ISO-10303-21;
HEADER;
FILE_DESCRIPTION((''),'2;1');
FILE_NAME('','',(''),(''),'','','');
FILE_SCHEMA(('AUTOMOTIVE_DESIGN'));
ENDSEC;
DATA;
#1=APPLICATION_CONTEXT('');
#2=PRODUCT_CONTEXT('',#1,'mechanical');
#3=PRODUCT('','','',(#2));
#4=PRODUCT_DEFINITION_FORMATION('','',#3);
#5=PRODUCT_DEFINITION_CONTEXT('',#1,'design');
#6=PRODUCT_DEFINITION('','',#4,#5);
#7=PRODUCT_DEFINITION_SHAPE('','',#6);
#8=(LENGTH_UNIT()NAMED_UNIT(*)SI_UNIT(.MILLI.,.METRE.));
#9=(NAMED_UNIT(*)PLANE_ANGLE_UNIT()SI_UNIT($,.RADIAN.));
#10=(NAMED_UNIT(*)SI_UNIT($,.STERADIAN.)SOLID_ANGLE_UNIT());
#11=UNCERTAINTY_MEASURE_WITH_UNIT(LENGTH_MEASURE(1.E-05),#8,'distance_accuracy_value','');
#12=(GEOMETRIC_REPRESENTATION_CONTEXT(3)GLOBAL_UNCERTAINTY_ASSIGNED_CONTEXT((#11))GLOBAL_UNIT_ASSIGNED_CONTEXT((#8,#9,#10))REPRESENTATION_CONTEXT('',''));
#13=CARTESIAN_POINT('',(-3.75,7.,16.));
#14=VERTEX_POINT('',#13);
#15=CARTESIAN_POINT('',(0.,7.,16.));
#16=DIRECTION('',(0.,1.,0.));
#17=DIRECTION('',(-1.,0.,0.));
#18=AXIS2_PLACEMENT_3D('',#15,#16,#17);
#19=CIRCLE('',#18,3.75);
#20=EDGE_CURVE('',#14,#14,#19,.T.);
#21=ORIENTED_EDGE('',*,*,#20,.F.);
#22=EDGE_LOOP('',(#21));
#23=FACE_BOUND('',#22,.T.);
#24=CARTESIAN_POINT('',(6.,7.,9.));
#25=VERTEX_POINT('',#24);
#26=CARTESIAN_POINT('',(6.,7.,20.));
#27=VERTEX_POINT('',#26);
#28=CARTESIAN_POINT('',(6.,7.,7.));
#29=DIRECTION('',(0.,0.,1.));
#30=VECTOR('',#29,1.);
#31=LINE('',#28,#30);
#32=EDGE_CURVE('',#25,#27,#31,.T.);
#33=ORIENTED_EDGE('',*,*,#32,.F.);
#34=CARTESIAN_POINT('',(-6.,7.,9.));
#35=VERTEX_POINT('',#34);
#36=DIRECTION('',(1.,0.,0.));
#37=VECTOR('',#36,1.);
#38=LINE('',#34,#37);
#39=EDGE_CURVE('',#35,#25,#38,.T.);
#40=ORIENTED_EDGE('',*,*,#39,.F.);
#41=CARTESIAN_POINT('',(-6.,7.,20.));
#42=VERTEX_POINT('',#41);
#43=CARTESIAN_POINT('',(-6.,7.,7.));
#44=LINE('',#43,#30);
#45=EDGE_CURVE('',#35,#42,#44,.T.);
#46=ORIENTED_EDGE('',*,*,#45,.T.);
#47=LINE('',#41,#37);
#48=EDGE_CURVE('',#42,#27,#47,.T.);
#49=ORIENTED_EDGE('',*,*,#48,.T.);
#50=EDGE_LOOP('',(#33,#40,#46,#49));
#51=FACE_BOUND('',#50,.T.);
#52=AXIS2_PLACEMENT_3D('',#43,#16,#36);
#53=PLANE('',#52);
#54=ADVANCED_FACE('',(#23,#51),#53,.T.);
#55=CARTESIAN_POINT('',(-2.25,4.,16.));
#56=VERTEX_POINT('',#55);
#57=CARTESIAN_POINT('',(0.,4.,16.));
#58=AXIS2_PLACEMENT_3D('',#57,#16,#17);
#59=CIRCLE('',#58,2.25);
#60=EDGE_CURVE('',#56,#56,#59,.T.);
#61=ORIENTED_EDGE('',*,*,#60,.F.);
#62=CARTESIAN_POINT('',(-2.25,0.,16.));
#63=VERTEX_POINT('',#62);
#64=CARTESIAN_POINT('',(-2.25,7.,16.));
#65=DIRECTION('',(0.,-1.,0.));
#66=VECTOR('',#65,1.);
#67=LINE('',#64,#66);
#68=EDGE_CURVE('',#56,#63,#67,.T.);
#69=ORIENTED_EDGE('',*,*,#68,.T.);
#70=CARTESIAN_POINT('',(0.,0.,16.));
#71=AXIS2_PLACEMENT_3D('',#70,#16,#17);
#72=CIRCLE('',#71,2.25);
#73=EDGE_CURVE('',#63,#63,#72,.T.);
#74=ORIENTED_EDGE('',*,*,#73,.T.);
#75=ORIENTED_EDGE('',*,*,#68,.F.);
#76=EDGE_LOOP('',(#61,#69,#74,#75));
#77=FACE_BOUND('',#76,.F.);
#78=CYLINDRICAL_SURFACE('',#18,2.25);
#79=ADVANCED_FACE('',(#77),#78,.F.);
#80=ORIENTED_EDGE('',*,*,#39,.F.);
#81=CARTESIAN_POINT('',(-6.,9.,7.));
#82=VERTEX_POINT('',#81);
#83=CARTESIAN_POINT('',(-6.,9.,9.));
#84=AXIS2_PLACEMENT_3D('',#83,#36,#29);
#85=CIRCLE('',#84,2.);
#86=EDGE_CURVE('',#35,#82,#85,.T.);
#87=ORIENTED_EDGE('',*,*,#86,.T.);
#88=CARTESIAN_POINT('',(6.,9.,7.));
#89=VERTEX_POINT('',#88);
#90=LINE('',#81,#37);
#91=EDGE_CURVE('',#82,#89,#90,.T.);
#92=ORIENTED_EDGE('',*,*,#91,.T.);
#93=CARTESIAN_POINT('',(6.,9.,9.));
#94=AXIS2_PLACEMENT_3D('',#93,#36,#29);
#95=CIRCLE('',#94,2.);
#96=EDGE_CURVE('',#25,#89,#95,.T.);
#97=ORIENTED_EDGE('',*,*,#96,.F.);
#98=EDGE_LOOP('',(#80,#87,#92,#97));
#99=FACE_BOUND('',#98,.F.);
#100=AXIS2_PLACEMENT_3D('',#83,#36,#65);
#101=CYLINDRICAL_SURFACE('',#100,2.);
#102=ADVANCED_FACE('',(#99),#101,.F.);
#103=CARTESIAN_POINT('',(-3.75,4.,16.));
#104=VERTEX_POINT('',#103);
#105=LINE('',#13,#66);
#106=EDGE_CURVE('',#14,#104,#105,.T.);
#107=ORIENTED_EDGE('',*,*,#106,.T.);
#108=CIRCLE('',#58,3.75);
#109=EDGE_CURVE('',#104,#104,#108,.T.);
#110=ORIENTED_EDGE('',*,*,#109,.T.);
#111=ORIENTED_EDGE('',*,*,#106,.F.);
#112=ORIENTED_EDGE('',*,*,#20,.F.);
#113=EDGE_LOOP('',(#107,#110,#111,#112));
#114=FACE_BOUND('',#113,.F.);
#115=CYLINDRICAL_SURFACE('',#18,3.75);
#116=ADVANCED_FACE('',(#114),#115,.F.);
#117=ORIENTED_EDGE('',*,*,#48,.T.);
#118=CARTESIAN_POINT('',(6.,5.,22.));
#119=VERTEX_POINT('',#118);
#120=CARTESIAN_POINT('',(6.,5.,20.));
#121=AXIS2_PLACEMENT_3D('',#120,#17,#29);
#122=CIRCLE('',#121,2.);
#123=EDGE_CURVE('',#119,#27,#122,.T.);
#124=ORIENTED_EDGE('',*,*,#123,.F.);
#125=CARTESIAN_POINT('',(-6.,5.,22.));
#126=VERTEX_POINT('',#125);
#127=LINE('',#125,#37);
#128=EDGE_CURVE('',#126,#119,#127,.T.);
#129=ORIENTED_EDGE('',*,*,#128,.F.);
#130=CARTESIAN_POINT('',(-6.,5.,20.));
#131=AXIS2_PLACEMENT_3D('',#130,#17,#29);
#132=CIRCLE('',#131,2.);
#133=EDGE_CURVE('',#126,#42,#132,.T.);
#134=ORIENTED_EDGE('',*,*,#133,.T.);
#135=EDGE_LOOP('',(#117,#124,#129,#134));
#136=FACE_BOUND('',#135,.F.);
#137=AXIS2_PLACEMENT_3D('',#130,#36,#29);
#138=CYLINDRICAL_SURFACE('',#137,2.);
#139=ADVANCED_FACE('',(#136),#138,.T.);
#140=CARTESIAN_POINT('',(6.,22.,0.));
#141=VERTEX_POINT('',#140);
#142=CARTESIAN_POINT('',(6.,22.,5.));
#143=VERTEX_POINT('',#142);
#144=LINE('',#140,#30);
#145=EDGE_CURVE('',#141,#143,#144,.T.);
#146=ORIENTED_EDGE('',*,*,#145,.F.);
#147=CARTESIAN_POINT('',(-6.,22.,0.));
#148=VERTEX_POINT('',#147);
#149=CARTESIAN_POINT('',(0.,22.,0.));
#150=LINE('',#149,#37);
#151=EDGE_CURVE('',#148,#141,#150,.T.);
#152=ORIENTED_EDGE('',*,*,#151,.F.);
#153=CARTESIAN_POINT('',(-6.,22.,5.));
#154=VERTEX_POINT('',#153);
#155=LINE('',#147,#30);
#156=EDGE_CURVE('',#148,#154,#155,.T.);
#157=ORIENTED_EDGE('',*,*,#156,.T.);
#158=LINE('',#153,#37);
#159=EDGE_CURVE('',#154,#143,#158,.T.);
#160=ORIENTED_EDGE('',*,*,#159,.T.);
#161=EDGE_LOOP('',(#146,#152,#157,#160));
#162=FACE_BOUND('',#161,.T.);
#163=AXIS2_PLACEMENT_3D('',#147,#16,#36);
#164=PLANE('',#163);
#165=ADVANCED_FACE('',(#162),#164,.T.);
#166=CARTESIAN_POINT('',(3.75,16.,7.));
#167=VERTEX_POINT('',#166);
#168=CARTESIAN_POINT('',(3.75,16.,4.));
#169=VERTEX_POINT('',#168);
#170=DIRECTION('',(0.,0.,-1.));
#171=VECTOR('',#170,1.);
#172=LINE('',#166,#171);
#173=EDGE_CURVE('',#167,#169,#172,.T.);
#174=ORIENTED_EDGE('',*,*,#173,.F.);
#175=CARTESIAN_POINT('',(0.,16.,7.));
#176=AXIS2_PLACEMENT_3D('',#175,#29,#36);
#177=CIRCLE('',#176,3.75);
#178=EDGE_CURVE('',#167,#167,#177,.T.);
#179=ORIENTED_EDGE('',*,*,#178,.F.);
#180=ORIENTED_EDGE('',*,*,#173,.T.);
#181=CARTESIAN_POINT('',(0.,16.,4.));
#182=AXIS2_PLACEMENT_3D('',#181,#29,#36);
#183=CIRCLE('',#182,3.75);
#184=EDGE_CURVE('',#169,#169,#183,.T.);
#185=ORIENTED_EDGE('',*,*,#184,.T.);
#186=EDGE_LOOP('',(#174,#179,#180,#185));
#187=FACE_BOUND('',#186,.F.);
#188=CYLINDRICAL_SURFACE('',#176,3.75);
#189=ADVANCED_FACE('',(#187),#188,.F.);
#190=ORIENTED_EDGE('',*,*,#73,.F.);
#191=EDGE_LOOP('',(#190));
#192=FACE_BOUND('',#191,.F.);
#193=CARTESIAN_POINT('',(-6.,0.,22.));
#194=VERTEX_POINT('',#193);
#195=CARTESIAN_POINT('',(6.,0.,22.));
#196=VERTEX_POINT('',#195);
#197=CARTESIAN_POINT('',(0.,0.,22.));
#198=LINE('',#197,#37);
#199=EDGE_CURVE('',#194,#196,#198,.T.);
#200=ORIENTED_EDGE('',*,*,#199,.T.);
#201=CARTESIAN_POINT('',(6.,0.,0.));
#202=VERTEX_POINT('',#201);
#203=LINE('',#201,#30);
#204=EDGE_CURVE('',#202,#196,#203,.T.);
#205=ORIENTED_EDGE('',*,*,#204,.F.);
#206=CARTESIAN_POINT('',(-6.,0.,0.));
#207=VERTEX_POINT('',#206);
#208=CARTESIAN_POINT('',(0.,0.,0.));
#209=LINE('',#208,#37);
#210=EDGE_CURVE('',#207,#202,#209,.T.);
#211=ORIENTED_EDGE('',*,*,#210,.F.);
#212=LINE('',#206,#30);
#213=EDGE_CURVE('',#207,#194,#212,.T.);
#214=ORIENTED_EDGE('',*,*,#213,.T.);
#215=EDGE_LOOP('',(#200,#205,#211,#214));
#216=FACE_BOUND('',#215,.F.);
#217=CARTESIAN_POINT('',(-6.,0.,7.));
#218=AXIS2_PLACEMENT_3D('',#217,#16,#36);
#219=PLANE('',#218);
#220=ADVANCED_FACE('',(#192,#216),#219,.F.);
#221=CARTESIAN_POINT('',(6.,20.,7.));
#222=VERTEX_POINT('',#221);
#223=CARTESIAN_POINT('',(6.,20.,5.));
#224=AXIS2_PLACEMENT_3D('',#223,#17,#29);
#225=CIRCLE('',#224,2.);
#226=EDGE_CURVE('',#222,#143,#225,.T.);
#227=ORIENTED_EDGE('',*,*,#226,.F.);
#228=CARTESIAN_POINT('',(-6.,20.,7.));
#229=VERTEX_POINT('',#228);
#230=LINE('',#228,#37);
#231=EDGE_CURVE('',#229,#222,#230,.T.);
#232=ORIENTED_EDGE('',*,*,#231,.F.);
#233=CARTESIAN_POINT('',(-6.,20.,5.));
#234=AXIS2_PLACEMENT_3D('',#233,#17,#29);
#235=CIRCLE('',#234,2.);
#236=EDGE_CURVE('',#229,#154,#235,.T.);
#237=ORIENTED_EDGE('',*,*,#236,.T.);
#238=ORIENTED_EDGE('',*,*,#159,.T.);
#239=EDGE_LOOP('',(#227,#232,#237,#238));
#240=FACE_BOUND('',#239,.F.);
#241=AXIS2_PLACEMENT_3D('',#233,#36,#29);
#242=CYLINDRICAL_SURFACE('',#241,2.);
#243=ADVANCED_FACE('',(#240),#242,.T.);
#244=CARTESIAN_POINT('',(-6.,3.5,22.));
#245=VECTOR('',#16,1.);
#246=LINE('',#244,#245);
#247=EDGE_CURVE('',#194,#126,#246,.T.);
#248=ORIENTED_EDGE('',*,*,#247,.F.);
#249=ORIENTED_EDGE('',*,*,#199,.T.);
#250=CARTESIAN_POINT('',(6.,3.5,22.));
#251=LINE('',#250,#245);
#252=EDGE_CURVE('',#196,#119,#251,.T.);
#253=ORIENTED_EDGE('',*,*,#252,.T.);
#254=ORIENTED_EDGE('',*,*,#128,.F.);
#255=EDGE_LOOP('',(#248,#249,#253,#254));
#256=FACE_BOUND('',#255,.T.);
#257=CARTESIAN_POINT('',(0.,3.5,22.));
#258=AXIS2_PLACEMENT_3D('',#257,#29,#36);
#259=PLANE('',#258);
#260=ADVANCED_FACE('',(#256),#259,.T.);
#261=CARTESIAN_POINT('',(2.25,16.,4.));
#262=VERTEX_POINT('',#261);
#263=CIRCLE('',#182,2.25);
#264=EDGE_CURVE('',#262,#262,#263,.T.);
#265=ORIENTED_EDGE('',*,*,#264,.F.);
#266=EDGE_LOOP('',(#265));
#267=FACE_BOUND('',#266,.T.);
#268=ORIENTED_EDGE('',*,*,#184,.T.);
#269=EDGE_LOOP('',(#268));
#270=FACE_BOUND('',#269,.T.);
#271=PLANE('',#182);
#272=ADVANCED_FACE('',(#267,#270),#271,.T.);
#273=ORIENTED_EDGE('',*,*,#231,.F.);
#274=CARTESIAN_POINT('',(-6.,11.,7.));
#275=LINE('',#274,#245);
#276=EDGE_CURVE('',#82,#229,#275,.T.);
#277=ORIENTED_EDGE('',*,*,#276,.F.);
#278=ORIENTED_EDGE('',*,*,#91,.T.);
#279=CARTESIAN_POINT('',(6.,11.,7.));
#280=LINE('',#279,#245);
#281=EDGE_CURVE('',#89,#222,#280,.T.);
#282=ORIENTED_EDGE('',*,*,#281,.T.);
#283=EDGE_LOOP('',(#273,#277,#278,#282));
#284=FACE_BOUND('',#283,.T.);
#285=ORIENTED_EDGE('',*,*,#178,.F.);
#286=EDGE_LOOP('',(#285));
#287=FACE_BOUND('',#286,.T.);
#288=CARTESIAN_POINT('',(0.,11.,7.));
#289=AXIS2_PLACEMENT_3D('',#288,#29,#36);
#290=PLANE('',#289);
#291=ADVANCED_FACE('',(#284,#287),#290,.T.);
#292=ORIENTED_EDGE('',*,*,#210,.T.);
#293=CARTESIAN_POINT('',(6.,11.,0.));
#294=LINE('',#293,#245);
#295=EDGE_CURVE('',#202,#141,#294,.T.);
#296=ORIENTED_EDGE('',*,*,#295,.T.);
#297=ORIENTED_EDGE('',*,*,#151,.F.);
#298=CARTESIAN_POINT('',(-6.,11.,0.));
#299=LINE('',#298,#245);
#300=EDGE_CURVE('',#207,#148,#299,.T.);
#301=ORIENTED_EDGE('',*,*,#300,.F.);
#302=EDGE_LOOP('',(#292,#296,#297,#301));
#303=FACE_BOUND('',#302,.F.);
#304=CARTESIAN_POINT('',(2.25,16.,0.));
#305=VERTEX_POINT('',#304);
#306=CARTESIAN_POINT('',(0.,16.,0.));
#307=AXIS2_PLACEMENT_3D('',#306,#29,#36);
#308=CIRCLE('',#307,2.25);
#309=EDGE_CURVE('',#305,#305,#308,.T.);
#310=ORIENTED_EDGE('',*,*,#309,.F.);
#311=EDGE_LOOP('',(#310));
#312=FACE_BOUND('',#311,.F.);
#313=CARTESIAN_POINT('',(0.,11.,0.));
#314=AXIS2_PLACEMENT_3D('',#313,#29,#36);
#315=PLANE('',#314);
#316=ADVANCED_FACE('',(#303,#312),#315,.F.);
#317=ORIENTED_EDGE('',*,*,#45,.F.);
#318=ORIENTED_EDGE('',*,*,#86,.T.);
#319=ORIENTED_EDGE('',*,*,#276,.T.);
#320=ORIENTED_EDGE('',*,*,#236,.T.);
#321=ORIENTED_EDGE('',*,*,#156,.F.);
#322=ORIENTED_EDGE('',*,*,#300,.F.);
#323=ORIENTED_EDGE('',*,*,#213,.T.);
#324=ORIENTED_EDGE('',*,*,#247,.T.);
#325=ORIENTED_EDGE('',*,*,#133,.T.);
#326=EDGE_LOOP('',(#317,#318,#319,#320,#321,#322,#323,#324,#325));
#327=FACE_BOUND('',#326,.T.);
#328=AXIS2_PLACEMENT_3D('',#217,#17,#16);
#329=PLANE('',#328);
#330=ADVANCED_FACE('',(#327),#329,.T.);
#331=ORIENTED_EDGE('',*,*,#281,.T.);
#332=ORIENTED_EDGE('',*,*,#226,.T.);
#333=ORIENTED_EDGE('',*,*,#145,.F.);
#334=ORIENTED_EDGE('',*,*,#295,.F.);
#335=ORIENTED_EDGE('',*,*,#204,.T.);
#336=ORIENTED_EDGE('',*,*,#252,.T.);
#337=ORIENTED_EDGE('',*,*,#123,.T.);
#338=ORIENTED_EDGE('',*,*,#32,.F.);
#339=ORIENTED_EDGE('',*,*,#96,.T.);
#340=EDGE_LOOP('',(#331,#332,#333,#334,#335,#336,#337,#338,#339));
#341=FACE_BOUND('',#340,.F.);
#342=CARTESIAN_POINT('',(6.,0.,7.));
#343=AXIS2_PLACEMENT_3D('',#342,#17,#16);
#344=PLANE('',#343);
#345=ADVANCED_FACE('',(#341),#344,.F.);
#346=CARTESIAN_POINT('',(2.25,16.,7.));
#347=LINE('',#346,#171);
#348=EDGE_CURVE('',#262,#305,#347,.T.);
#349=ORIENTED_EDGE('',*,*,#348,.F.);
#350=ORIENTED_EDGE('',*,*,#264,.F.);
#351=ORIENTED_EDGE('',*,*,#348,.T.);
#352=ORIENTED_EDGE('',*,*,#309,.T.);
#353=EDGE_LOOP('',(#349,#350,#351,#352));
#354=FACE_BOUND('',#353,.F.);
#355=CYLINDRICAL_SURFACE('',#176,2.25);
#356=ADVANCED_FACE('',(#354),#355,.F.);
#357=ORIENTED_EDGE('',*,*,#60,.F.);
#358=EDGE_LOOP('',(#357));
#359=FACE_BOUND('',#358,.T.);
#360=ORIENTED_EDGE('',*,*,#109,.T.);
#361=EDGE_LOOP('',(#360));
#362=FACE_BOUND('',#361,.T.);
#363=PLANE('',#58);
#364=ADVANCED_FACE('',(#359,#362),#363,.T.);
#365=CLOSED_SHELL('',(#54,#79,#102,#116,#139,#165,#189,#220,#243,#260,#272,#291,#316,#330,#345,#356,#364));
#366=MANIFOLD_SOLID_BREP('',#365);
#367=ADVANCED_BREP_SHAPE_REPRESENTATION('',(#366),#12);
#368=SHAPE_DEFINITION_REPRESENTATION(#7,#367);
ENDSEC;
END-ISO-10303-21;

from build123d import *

# Parameters (mm, degrees)
SKETCH_W        = 12
SKETCH_H        = 22
PAD_DEPTH       = 7
SKETCH001_W     = 12
SKETCH001_H     = 7
PAD001_DEPTH    = 15
SKETCH002_R     = 2.25
POCKET_DEPTH    = 10
SKETCH003_R     = 3.75
POCKET001_DEPTH = 3
SKETCH004_R     = 2.25
POCKET002_DEPTH = 7
SKETCH005_R     = 3.75
POCKET003_DEPTH = 3
FILLET_R        = 2


with BuildPart() as part:
    # Sketch → Pad (new body)
    with BuildSketch(Plane.XY):
        with Locations((0, 11)):
            Rectangle(SKETCH_W, SKETCH_H)
    extrude(amount=PAD_DEPTH)

    # Sketch001 (on Face6 of Pad) → Pad001 (join)
    with BuildSketch(Plane.XY.offset(7)):
        with Locations((0, 3.5)):
            Rectangle(SKETCH001_W, SKETCH001_H)
    extrude(amount=PAD001_DEPTH)

    # Sketch002 (on Face3 of Pad001) → Pocket (cut)
    with BuildSketch(Plane.XY.offset(7)):
        with Locations((0, 16)):
            Circle(SKETCH002_R)
    extrude(amount=-POCKET_DEPTH, mode=Mode.SUBTRACT)

    # Sketch003 (on Face9 of Pocket) → Pocket001 (cut)
    with BuildSketch(Plane.XY.offset(7)):
        with Locations((0, 16)):
            Circle(SKETCH003_R)
    extrude(amount=-POCKET001_DEPTH, mode=Mode.SUBTRACT)

    # Sketch004 (on Face8 of Pocket001) → Pocket002 (cut)
    with BuildSketch(Plane(origin=(0, 7, 0), x_dir=(-1, 0, 0), z_dir=(0, 1, 0))):
        with Locations((0, 16)):
            Circle(SKETCH004_R)
    extrude(amount=-POCKET002_DEPTH, mode=Mode.SUBTRACT)

    # Sketch005 (on Face9 of Pocket002) → Pocket003 (cut)
    with BuildSketch(Plane(origin=(0, 7, 0), x_dir=(-1, 0, 0), z_dir=(0, 1, 0))):
        with Locations((0, 16)):
            Circle(SKETCH005_R)
    extrude(amount=-POCKET003_DEPTH, mode=Mode.SUBTRACT)

    # Fillet
    fillet_edges = [part.edges().sort_by_distance(p)[0] for p in [
        (0, 7, 7),
        (0, 7, 22),
        (0, 22, 7),
    ]]
    fillet(fillet_edges, radius=FILLET_R)


solid = part.part
